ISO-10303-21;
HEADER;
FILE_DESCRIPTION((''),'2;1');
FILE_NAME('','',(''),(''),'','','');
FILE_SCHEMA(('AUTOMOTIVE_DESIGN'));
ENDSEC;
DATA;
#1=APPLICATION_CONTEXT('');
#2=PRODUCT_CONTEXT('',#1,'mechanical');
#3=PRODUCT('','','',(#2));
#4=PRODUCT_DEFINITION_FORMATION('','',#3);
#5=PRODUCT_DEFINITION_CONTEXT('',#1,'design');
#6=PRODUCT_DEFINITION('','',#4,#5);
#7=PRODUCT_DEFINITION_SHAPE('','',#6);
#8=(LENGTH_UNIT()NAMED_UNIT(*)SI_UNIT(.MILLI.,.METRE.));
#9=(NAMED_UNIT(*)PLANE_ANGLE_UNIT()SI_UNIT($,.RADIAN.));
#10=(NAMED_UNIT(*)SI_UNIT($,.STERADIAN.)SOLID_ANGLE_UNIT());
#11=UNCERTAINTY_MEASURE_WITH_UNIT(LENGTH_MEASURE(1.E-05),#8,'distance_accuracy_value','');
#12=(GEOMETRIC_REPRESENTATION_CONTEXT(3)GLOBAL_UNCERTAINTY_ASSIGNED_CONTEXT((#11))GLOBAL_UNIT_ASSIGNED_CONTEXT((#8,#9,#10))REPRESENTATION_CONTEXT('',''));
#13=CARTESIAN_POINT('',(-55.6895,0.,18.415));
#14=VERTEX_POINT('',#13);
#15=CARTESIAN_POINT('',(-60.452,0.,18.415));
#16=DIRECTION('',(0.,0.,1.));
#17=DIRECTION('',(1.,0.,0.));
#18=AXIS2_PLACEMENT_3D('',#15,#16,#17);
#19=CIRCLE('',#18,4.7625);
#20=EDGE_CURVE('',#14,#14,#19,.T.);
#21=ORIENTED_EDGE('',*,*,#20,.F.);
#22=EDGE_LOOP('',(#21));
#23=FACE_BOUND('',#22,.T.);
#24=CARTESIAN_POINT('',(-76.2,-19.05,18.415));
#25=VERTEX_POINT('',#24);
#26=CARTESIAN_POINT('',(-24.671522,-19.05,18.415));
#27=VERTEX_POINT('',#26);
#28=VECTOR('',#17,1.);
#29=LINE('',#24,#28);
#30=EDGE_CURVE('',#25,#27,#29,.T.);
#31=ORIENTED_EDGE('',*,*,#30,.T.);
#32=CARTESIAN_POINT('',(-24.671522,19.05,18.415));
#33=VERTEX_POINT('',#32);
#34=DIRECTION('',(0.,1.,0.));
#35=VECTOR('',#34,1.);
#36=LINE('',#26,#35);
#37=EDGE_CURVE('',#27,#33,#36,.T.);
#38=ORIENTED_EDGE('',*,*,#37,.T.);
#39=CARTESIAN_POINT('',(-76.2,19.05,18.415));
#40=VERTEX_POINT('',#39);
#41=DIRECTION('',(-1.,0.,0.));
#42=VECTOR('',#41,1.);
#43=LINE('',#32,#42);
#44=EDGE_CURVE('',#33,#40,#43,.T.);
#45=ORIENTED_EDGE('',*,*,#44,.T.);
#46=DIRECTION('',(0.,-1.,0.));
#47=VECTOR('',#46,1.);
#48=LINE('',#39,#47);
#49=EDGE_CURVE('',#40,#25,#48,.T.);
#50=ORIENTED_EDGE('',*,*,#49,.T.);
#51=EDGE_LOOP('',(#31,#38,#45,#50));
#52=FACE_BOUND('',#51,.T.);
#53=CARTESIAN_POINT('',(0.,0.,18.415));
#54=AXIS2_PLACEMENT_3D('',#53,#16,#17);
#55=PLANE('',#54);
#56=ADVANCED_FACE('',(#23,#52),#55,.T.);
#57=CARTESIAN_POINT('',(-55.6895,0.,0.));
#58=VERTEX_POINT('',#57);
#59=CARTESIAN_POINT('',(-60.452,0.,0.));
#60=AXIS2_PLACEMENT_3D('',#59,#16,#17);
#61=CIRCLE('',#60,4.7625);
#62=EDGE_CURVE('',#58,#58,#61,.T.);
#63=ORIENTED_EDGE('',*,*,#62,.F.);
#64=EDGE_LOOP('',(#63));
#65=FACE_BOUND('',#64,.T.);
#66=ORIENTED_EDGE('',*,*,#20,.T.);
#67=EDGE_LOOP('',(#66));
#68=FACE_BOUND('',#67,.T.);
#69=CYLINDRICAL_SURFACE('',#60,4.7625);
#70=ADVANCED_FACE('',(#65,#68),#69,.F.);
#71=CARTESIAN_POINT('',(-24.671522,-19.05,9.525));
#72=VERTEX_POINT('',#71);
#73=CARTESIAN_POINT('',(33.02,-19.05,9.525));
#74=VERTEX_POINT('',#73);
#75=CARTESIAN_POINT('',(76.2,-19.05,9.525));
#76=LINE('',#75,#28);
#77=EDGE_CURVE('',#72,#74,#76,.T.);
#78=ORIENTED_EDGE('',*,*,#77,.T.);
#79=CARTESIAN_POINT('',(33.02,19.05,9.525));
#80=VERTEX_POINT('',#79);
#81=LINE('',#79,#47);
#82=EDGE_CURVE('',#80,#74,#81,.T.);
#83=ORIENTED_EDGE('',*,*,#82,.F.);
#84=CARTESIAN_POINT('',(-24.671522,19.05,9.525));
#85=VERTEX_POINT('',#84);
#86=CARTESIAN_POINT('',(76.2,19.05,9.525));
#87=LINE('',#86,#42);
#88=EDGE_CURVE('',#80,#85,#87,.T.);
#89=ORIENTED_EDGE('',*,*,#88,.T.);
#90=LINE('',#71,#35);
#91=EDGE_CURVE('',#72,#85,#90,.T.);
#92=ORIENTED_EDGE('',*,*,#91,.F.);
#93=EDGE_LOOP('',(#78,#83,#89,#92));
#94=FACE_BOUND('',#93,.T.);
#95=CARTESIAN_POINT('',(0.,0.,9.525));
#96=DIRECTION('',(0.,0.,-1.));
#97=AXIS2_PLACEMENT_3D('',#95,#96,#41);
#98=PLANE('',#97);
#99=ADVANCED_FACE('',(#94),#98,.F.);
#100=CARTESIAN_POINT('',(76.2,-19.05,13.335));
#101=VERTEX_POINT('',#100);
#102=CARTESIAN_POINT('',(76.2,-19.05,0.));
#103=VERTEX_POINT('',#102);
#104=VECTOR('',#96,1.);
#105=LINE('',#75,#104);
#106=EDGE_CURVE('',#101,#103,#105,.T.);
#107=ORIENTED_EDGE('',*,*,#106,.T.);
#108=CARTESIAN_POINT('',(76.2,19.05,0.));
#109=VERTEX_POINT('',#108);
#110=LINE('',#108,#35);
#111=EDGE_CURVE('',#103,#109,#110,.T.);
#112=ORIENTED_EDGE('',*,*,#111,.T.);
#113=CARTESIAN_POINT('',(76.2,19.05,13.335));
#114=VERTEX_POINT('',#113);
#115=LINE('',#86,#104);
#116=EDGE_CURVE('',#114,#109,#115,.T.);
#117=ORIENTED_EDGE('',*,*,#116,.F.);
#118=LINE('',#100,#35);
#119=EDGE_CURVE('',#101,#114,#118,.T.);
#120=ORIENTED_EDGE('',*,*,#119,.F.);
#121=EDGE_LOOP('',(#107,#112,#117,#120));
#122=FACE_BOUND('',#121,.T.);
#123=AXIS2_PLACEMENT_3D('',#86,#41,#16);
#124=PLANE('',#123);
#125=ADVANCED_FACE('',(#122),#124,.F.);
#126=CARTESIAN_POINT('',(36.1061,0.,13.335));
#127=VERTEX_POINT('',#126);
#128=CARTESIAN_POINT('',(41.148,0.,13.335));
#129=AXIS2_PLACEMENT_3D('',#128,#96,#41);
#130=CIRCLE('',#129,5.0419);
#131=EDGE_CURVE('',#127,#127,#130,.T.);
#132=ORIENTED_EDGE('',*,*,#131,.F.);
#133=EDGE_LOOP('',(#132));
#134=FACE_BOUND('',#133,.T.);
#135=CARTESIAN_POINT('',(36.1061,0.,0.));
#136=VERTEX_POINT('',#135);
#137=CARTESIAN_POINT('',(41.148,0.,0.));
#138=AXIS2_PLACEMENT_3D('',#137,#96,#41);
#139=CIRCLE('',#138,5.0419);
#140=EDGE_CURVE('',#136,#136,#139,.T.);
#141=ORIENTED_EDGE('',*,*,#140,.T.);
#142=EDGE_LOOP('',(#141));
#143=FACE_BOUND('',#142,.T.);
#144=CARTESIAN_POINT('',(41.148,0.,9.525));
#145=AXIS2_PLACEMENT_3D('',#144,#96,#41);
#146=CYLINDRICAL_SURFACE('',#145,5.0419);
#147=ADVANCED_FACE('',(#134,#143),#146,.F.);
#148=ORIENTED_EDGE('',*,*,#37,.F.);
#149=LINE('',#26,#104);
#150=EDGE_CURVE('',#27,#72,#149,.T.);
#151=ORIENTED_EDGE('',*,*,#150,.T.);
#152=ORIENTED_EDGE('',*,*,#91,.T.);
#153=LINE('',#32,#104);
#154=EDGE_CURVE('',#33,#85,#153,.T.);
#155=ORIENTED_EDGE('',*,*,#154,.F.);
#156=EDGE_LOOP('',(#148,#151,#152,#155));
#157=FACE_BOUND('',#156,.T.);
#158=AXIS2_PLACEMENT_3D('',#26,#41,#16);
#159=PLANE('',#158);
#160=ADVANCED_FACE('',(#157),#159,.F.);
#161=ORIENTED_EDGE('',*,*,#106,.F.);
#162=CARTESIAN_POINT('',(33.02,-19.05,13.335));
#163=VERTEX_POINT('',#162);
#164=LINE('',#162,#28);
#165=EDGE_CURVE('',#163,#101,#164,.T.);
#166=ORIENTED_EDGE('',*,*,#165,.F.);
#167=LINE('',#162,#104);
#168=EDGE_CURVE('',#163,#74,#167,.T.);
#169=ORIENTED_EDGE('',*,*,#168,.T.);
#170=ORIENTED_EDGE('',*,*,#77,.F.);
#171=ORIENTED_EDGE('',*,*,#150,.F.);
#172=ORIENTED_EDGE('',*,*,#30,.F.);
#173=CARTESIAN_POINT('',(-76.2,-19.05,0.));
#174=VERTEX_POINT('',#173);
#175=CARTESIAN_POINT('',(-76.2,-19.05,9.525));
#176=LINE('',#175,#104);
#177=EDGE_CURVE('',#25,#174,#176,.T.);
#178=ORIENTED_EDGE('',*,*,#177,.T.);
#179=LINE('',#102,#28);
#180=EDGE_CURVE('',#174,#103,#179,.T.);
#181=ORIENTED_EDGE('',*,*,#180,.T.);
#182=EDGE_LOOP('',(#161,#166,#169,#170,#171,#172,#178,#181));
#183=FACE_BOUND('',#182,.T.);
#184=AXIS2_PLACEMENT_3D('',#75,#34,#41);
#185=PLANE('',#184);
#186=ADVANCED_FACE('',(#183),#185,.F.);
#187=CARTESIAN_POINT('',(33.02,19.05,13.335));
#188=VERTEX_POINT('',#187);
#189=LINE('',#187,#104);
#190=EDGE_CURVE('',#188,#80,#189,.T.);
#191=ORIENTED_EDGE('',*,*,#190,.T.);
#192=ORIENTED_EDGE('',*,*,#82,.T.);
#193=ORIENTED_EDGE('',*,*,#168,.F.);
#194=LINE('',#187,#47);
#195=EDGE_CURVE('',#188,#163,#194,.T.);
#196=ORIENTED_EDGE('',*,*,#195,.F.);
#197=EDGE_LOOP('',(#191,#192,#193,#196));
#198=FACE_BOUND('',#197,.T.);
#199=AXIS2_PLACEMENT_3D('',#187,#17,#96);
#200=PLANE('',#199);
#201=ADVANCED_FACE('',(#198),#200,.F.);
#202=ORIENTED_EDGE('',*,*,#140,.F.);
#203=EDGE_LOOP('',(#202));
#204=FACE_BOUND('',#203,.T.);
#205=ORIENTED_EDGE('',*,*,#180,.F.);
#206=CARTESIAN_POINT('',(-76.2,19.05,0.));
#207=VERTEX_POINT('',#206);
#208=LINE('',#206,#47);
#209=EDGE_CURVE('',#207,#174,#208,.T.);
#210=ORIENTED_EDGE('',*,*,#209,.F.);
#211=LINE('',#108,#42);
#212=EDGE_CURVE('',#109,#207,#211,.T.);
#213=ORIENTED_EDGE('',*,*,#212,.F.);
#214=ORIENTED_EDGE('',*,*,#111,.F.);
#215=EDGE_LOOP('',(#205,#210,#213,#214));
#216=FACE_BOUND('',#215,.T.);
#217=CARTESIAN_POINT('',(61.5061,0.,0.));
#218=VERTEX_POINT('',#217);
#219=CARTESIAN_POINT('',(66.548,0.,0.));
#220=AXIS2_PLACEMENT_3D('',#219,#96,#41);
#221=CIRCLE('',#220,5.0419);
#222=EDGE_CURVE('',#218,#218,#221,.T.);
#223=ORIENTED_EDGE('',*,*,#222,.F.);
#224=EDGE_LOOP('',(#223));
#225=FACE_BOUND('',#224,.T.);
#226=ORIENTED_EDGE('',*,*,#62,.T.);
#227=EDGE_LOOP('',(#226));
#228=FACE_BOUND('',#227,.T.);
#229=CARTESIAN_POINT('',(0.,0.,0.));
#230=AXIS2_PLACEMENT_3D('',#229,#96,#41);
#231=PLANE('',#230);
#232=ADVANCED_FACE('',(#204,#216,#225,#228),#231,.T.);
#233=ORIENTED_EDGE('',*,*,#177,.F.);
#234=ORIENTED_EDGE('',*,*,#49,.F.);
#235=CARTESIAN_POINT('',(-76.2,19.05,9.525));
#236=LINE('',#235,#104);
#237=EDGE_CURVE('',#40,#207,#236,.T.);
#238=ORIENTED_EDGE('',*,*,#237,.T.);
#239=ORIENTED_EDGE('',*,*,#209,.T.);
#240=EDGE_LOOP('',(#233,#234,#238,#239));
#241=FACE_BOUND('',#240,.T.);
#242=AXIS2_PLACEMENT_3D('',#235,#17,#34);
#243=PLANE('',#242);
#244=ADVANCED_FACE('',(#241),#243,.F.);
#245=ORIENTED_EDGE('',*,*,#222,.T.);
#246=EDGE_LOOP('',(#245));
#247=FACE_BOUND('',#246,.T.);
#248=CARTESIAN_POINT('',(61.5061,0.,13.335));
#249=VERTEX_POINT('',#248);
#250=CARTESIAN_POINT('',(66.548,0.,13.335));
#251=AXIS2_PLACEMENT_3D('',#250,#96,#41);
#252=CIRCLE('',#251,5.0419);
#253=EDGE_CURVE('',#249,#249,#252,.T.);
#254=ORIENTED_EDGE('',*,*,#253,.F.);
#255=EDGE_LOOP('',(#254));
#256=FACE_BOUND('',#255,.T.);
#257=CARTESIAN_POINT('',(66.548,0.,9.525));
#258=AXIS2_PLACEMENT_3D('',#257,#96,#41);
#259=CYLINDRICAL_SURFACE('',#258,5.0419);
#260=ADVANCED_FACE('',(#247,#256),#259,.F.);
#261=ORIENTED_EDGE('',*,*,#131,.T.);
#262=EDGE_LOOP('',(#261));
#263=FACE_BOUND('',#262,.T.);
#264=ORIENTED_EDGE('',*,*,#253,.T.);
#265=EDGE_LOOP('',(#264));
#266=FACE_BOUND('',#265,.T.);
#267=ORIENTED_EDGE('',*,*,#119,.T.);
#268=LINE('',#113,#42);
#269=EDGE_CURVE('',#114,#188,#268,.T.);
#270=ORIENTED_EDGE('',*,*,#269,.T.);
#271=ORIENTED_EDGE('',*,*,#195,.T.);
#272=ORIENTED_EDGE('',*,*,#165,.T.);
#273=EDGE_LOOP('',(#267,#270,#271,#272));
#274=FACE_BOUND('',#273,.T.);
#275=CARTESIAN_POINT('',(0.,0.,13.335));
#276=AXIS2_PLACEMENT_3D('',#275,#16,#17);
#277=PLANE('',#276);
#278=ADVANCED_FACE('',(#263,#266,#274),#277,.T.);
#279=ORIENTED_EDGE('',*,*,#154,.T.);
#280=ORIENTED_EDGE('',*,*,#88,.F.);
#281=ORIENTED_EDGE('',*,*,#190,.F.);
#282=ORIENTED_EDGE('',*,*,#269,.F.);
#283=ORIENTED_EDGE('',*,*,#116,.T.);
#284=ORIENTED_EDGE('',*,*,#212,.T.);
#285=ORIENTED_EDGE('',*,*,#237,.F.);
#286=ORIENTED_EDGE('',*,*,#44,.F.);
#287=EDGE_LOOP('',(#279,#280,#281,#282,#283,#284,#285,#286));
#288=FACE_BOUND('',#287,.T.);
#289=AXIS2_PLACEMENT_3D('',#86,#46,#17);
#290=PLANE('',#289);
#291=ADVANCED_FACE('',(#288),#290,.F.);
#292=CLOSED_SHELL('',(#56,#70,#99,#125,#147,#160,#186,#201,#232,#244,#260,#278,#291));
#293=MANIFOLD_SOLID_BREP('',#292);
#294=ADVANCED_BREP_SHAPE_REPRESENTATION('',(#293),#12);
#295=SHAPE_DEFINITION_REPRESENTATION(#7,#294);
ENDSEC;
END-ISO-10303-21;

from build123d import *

# Parameters (mm, degrees)
SKETCH1_W                        = 152.4
SKETCH1_H                        = 38.1
BOSS_EXTRUDE1_DEPTH              = 9.525
SKETCH5_W                        = 43.18
SKETCH5_H                        = 38.1
BOSS_EXTRUDE3_DEPTH              = 3.81
SKETCH3_W                        = 5.0419
SKETCH3_H                        = 3.81
F_3_8_CLEARANCE_HOLE1_AT_2_COUNT = 2
F_3_8_CLEARANCE_HOLE1_AT_2_PITCH = 25.4
SKETCH4_W                        = 51.528477944
SKETCH4_H                        = 38.1
BOSS_EXTRUDE2_DEPTH              = 8.89
F_3_8_CLEARANCE_HOLE3_D          = 10.0838
SKETCH10_R                       = 4.7625
CUT_EXTRUDE1_DEPTH               = 19.415


with BuildPart() as part:
    # Sketch1 → Boss-Extrude1 (new body)
    with BuildSketch(Plane.XY):
        Rectangle(SKETCH1_W, SKETCH1_H)
    extrude(amount=BOSS_EXTRUDE1_DEPTH)

    # Sketch5 → Boss-Extrude3 (add)
    with BuildSketch(Plane.XY.offset(9.525)):
        with Locations((54.61, 0)):
            Rectangle(SKETCH5_W, SKETCH5_H)
    extrude(amount=BOSS_EXTRUDE3_DEPTH)

    # Sketch3 → 3/8 Clearance Hole1 (revolve, cut)
    with BuildSketch(Plane(origin=(41.148, 0, 9.525), x_dir=(0, 1, 0), z_dir=(1, 0, 0))):
        with Locations((2.52095, 1.905)):
            Rectangle(SKETCH3_W, SKETCH3_H)
    f_3_8_clearance_hole1 = revolve(axis=Axis((41.148, 0, 3.175), (0, 0, 1)), mode=Mode.SUBTRACT)

    # 3/8 Clearance Hole1 at 2: 3/8 Clearance Hole1 ×2
    with Locations(*[(i * F_3_8_CLEARANCE_HOLE1_AT_2_PITCH, 0, 0) for i in range(1, F_3_8_CLEARANCE_HOLE1_AT_2_COUNT)]):
        add(f_3_8_clearance_hole1, mode=Mode.SUBTRACT)

    # Sketch4 → Boss-Extrude2 (add)
    with BuildSketch(Plane.XY.offset(9.525)):
        with Locations((-50.435761028, 0)):
            Rectangle(SKETCH4_W, SKETCH4_H)
    extrude(amount=BOSS_EXTRUDE2_DEPTH)

    # 3/8 Clearance Hole3 (through all)
    with Locations(Plane(origin=(0, 0, 0), x_dir=(-1, 0, 0), z_dir=(0, 0, -1))):
        with Locations((-66.548, 0), (-41.148, 0)):
            Hole(F_3_8_CLEARANCE_HOLE3_D / 2)

    # Sketch10 → Cut-Extrude1 (cut, through all)
    with BuildSketch(Plane.XY.offset(18.415)):
        with Locations((-60.452, 0)):
            Circle(SKETCH10_R)
    extrude(amount=-CUT_EXTRUDE1_DEPTH, mode=Mode.SUBTRACT)


solid = part.part
